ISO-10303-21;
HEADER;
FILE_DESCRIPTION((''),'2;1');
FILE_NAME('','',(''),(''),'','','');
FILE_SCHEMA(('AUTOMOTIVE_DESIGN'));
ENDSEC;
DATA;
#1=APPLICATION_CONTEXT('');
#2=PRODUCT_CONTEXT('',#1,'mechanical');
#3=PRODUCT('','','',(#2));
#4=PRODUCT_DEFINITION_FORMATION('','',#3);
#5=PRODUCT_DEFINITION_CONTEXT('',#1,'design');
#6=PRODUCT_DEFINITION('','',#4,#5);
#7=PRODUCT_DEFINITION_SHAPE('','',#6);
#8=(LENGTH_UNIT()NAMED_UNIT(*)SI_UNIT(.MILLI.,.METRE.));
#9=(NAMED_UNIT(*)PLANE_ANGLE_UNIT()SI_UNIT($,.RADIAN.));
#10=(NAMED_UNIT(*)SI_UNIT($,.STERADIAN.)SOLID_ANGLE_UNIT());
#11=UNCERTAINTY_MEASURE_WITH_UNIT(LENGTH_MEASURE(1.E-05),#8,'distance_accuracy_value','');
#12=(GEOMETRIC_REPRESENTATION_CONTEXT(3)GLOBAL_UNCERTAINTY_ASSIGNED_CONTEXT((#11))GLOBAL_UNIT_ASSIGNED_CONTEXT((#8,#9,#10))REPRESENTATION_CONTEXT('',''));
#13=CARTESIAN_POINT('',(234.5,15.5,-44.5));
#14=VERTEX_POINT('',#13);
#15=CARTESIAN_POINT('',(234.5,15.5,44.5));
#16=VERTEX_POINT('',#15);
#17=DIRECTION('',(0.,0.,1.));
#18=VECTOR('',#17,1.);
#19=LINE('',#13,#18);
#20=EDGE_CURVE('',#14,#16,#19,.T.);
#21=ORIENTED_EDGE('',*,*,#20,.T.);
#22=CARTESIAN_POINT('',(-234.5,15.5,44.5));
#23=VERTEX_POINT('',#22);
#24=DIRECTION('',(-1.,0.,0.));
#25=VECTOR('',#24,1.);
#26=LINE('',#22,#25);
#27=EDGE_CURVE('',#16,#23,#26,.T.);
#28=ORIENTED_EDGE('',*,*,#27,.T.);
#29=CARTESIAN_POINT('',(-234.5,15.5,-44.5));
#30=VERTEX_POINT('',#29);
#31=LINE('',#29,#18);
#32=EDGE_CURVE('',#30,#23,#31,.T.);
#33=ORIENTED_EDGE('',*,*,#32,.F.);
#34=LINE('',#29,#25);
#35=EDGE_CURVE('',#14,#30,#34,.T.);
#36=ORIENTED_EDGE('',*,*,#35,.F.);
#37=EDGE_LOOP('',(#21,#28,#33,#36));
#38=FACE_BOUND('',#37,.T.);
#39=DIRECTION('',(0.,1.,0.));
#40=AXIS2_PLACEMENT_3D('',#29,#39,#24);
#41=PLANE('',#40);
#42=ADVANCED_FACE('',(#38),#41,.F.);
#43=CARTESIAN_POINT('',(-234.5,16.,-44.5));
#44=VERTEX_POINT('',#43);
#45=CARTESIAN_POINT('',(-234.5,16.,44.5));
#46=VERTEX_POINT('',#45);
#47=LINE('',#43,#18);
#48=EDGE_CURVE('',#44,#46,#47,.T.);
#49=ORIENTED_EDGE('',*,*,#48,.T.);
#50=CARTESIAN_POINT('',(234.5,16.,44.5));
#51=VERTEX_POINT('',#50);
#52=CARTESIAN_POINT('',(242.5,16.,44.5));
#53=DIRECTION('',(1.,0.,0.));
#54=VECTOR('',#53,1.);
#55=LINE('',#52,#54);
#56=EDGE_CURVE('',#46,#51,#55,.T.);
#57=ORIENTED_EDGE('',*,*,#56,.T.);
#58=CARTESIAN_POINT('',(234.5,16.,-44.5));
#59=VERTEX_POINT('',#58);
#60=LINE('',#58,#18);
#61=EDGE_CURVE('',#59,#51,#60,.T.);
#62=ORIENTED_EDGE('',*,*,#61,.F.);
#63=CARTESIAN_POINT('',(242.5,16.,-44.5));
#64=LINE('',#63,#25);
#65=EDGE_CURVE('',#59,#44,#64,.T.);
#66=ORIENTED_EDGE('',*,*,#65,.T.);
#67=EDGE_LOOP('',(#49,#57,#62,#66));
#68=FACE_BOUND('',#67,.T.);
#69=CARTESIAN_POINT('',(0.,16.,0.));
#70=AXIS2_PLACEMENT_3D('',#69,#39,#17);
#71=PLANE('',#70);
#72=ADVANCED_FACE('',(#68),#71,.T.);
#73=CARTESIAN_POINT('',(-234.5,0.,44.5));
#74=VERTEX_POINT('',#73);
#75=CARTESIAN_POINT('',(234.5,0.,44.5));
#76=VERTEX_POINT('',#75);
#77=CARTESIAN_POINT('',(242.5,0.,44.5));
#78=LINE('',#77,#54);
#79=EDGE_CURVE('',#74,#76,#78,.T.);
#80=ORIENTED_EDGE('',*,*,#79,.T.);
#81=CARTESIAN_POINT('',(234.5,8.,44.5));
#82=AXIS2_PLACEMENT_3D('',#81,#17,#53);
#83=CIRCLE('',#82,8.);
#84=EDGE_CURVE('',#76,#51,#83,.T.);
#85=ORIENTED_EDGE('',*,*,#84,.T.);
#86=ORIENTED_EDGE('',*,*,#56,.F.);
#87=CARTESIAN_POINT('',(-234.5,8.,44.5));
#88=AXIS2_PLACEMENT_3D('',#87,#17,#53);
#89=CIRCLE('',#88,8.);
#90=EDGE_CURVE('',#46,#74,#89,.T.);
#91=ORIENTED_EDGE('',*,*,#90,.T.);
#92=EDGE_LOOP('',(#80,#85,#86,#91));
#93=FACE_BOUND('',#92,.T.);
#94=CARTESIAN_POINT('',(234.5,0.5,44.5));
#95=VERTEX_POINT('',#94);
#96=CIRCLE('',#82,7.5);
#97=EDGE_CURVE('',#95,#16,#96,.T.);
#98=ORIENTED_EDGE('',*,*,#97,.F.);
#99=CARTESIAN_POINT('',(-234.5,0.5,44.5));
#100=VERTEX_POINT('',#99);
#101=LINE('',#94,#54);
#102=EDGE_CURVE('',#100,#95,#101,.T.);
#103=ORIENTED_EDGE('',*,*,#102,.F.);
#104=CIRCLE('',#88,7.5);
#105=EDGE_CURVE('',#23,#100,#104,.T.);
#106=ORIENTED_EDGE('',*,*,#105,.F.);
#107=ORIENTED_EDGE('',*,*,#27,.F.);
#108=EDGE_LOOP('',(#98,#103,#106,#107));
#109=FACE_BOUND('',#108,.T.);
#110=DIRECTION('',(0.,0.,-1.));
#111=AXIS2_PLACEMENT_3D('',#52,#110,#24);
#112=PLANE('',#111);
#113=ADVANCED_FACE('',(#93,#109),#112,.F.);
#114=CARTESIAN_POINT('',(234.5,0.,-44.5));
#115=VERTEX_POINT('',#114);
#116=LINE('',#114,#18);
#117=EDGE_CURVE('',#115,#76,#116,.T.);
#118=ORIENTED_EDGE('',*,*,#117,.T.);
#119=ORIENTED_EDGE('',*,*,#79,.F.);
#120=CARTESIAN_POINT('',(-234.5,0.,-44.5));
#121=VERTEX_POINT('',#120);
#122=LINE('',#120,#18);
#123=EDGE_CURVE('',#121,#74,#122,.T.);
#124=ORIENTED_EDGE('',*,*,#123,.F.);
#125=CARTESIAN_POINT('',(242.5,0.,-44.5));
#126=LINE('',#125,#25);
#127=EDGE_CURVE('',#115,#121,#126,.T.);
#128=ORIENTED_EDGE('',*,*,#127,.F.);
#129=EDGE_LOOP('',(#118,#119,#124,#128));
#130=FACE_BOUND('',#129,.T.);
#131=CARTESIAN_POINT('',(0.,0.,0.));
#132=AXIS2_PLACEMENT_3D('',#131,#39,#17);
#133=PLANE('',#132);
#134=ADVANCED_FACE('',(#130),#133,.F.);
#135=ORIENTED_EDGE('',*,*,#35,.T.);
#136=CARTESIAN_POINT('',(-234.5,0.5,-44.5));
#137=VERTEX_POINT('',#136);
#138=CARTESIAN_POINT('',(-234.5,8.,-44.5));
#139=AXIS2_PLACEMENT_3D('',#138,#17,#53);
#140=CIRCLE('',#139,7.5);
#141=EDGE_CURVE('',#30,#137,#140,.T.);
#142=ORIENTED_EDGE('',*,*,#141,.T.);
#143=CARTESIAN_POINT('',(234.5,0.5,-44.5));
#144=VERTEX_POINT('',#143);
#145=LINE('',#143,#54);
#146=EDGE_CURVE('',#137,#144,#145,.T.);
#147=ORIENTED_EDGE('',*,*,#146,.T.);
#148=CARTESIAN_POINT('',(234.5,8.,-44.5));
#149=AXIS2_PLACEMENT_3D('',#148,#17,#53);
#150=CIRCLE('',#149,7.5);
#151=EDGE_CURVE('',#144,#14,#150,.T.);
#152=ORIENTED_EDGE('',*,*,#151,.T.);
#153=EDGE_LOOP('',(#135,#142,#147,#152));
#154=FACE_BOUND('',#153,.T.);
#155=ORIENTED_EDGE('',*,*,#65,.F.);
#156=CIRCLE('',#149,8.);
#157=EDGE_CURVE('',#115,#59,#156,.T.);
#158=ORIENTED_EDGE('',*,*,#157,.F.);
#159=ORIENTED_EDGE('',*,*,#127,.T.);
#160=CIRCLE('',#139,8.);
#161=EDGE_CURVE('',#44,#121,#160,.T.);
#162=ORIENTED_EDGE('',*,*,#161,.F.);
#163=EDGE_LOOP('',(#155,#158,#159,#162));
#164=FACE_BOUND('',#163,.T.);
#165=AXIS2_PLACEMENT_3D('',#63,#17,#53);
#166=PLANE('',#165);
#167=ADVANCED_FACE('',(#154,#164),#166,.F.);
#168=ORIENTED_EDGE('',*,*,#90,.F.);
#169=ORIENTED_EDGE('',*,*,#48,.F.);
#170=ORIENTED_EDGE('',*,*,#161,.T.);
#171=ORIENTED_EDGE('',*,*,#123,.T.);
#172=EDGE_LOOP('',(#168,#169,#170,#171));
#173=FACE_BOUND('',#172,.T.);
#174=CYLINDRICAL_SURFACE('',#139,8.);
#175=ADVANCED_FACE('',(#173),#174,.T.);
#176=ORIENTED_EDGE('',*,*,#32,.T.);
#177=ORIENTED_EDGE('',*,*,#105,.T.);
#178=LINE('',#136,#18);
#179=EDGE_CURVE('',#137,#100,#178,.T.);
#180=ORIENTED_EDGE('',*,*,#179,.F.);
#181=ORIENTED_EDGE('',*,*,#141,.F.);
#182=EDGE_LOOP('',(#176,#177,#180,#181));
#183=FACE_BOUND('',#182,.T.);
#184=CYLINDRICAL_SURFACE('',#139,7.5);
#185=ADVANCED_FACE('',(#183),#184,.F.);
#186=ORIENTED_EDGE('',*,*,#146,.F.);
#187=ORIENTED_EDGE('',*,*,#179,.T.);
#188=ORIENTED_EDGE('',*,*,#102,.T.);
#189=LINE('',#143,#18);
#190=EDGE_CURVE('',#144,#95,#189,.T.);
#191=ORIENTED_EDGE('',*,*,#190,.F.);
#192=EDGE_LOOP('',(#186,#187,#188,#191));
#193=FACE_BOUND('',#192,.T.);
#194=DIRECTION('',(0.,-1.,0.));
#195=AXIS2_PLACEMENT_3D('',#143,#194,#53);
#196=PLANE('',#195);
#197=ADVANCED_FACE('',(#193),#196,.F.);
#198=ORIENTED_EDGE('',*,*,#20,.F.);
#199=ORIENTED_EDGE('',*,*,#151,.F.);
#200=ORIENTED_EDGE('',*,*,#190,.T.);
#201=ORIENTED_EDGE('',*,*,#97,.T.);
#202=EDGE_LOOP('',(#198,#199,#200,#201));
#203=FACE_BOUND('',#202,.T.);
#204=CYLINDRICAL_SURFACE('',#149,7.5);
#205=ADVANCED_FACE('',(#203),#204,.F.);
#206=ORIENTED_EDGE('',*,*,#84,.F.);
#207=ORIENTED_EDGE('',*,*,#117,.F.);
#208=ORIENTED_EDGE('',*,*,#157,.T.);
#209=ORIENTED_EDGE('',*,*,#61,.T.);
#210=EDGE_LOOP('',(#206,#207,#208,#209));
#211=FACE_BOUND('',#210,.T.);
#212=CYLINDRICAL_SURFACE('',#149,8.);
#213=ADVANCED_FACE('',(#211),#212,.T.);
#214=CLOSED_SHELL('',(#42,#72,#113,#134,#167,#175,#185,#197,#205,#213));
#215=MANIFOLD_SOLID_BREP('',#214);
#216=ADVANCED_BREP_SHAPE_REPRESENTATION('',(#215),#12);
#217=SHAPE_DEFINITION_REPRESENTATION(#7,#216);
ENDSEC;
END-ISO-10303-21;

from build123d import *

# Parameters (mm, degrees)
CROQUIS1_W              = 485
CROQUIS1_H              = 89
SALIENTE_EXTRUIR1_DEPTH = 16
CORTAR_EXTRUIR2_DEPTH   = 89
CORTAR_EXTRUIR3_DEPTH   = 89
CORTAR_EXTRUIR4_DEPTH   = 89


with BuildPart() as part:
    # Croquis1 → Saliente-Extruir1 (new body)
    with BuildSketch(Plane(origin=(0, 0, 0), x_dir=(1, 0, 0), z_dir=(0, 1, 0))):
        Rectangle(CROQUIS1_W, CROQUIS1_H)
    extrude(amount=SALIENTE_EXTRUIR1_DEPTH)

    # Croquis2 → Cortar-Extruir2 (cut)
    with BuildSketch(Plane.XY.offset(44.5)):
        with BuildLine():
            ThreePointArc((-234.5, 0), (-240.156854249, 2.343145751), (-242.5, 8))
            Line((-242.5, 8), (-242.5, 0))
            Line((-242.5, 0), (-234.5, 0))
        make_face()
        with BuildLine():
            ThreePointArc((-242.5, 8), (-240.156854236, 13.656854263), (-234.499999961, 16))
            Line((-234.499999961, 16), (-242.5, 16))
            Line((-242.5, 16), (-242.5, 8))
        make_face()
    extrude(amount=-CORTAR_EXTRUIR2_DEPTH, mode=Mode.SUBTRACT)

    # Croquis3 → Cortar-Extruir3 (cut)
    with BuildSketch(Plane.XY.offset(44.5)):
        with BuildLine():
            Line((242.5, 16), (234.5, 16))
            ThreePointArc((234.5, 16), (240.156854249, 13.656854249), (242.5, 8))
            Line((242.5, 8), (242.5, 16))
        make_face()
        with BuildLine():
            Line((242.5, 0), (242.5, 8))
            ThreePointArc((242.5, 8), (240.156854249, 2.343145751), (234.5, 0))
            Line((234.5, 0), (242.5, 0))
        make_face()
    extrude(amount=-CORTAR_EXTRUIR3_DEPTH, mode=Mode.SUBTRACT)

    # Croquis4 → Cortar-Extruir4 (cut)
    with BuildSketch(Plane.XY.offset(44.5)):
        with BuildLine():
            Line((-234.5, 15.5), (234.5, 15.5))
            ThreePointArc((234.5, 15.5), (242, 8), (234.5, 0.5))
            Line((234.5, 0.5), (-234.5, 0.5))
            ThreePointArc((-234.5, 0.5), (-242, 8), (-234.5, 15.5))
        make_face()
    extrude(amount=-CORTAR_EXTRUIR4_DEPTH, mode=Mode.SUBTRACT)


solid = part.part
